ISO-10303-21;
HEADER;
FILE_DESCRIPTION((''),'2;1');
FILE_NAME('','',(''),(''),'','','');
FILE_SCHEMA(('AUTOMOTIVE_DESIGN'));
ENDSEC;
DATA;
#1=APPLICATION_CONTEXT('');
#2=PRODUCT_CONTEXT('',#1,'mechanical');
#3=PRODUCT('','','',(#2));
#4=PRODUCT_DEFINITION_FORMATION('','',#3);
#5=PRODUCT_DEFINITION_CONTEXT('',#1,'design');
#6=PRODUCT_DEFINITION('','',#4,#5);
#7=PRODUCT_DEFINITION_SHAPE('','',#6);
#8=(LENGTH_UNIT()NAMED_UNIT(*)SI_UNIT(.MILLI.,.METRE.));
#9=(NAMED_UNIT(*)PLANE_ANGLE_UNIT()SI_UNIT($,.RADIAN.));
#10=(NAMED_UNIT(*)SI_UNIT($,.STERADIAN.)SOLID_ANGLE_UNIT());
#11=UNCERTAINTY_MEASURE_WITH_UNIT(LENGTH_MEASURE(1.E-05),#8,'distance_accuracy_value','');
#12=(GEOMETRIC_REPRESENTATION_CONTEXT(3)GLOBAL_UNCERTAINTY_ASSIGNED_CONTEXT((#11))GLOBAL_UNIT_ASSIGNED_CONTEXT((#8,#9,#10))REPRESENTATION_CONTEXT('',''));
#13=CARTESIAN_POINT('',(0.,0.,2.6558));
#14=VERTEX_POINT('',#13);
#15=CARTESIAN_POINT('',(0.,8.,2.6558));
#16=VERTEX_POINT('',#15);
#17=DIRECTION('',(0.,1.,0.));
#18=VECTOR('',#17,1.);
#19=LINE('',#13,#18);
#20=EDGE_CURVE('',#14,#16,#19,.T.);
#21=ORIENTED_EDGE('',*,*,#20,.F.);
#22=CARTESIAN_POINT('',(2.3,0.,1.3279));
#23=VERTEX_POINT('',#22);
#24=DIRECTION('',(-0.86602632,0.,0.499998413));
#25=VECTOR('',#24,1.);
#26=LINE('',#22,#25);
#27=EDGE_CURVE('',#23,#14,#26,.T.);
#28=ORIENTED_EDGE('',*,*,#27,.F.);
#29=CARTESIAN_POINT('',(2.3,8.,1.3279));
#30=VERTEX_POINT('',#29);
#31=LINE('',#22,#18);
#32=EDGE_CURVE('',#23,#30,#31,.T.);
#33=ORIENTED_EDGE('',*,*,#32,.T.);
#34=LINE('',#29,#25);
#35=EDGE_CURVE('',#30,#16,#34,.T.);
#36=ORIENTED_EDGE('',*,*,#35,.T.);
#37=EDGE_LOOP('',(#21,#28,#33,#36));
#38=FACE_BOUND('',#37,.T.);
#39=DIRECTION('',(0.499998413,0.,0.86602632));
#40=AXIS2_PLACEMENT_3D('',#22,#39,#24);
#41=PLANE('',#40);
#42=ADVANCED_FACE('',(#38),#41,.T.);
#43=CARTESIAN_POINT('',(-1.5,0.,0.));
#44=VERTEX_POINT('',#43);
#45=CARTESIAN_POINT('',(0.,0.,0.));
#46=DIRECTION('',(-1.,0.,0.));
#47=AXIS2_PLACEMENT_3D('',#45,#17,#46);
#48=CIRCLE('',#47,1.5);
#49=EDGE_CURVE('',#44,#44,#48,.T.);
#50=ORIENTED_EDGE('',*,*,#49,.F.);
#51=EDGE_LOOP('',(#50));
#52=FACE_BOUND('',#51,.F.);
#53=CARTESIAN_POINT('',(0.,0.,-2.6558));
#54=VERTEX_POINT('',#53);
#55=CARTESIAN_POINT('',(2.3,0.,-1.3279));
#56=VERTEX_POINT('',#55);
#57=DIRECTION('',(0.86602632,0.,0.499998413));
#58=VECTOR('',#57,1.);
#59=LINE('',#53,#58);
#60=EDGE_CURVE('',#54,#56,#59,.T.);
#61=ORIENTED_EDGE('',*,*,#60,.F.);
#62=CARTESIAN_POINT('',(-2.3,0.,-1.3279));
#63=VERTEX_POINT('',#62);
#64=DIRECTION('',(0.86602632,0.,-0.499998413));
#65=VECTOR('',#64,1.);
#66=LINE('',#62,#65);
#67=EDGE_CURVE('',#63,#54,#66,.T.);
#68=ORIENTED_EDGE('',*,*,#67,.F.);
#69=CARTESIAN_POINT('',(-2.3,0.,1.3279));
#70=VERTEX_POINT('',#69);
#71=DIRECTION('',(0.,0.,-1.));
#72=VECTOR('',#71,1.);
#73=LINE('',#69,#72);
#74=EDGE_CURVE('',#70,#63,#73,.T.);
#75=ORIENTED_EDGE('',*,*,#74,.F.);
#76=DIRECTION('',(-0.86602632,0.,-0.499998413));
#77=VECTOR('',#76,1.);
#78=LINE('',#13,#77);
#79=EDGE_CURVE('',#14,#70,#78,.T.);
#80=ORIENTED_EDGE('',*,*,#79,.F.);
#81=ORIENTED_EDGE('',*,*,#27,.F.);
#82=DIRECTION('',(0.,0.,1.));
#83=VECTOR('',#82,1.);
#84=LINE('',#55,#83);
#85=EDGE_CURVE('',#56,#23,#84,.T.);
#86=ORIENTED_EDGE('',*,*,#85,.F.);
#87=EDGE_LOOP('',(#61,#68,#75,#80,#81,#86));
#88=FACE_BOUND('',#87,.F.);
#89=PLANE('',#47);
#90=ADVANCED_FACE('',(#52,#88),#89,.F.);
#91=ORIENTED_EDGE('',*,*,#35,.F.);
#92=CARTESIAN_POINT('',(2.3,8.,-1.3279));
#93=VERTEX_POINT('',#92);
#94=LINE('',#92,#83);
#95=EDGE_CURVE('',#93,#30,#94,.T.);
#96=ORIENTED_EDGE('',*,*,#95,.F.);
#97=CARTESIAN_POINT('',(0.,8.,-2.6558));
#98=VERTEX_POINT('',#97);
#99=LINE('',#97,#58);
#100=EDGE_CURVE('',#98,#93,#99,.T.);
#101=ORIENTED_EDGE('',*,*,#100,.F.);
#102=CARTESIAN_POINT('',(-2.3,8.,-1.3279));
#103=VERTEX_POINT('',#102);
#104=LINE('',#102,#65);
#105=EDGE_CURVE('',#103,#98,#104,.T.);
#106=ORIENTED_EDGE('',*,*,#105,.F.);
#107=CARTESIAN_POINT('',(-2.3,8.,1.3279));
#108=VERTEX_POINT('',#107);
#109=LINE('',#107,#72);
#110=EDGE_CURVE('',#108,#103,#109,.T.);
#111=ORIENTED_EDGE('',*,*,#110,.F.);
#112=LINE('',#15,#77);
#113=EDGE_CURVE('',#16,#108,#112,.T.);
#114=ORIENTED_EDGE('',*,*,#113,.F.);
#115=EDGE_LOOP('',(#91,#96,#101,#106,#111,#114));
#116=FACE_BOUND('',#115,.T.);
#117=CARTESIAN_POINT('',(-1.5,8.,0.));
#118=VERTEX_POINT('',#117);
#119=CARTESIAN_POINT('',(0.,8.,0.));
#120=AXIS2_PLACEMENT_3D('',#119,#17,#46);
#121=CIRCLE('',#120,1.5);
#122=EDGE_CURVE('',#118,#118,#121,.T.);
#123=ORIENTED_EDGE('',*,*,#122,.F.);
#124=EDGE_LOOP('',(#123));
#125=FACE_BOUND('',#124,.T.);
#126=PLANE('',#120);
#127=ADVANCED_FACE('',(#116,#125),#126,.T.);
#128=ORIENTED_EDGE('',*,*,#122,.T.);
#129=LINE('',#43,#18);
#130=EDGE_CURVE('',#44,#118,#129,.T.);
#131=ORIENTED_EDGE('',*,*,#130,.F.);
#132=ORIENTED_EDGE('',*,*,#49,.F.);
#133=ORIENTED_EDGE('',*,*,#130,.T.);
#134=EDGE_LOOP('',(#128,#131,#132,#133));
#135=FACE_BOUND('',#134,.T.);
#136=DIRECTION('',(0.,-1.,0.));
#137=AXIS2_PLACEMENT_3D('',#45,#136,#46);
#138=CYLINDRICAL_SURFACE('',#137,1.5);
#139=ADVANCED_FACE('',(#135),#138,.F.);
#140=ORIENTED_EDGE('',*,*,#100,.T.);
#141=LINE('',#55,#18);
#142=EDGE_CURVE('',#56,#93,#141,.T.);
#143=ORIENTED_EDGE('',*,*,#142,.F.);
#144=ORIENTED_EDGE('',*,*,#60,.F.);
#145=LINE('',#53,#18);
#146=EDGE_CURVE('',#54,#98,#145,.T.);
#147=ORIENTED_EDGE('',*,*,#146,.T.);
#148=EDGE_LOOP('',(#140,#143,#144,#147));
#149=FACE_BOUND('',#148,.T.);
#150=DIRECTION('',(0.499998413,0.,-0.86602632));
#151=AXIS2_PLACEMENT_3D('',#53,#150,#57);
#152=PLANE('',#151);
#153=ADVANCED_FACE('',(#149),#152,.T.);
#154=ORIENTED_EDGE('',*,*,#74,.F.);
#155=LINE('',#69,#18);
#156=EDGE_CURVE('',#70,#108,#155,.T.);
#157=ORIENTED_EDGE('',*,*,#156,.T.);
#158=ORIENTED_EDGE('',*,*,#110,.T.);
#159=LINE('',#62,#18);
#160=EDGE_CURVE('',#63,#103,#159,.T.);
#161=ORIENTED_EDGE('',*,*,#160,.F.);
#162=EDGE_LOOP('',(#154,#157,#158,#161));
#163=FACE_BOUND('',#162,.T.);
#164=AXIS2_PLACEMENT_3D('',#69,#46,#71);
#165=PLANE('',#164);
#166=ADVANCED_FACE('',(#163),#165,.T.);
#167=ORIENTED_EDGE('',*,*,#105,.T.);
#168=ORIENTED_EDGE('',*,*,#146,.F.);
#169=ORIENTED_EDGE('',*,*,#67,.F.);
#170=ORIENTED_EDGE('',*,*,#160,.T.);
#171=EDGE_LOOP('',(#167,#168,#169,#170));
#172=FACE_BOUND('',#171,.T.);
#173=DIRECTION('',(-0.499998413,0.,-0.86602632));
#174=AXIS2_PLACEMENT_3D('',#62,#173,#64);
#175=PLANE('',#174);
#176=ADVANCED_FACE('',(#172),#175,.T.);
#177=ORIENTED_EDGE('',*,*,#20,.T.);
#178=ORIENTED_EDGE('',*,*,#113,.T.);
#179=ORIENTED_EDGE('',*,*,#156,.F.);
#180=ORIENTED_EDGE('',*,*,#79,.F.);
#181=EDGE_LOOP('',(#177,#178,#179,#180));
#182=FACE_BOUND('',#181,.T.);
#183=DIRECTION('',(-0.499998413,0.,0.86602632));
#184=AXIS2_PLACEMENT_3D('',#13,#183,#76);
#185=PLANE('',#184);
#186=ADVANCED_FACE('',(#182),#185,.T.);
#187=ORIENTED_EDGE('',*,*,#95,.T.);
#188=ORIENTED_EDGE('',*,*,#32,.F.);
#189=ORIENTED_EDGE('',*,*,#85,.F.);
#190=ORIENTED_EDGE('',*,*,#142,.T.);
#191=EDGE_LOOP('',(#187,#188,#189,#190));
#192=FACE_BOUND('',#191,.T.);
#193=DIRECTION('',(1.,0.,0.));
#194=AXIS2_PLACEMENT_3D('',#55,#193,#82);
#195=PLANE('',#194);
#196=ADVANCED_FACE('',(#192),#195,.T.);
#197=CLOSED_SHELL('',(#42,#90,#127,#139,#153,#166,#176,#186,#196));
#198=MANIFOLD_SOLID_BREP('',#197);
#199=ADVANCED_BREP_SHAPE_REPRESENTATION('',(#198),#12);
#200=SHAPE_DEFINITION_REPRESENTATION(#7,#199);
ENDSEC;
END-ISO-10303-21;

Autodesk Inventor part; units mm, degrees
ref_plane "YZ Plane" through (0, 0, 0) normal (1, 0, 0) x (0, 1, 0)
ref_plane "XZ Plane" through (0, 0, 0) normal (0, 1, 0) x (-1, 0, 0)
ref_plane "XY Plane" through (0, 0, 0) normal (0, 0, 1) x (1, 0, 0)
sketch "Sketch1" plane through (0, 0, 0) normal (0, 1, 0) x (-1, 0, 0)
  line L0 (0, -2.6558) -> (-2.3, -1.3279)
  line L1 (-2.3, -1.3279) -> (-2.3, 1.3279)
  line L2 (-2.3, 1.3279) -> (0, 2.6558)
  line L3 (0, 2.6558) -> (2.3, 1.3279)
  line L4 (2.3, 1.3279) -> (2.3, -1.3279)
  line L5 (2.3, -1.3279) -> (0, -2.6558)
  circle A0 centre (0, 0) radius 1.5
  dimension "d0" = 4.6
  dimension "d1" = 3
extrude "Extrusion1" add sketch "Sketch1" along normal blind 8
properties part number "standoff_20mm" material "Brass, Soft Yellow"
